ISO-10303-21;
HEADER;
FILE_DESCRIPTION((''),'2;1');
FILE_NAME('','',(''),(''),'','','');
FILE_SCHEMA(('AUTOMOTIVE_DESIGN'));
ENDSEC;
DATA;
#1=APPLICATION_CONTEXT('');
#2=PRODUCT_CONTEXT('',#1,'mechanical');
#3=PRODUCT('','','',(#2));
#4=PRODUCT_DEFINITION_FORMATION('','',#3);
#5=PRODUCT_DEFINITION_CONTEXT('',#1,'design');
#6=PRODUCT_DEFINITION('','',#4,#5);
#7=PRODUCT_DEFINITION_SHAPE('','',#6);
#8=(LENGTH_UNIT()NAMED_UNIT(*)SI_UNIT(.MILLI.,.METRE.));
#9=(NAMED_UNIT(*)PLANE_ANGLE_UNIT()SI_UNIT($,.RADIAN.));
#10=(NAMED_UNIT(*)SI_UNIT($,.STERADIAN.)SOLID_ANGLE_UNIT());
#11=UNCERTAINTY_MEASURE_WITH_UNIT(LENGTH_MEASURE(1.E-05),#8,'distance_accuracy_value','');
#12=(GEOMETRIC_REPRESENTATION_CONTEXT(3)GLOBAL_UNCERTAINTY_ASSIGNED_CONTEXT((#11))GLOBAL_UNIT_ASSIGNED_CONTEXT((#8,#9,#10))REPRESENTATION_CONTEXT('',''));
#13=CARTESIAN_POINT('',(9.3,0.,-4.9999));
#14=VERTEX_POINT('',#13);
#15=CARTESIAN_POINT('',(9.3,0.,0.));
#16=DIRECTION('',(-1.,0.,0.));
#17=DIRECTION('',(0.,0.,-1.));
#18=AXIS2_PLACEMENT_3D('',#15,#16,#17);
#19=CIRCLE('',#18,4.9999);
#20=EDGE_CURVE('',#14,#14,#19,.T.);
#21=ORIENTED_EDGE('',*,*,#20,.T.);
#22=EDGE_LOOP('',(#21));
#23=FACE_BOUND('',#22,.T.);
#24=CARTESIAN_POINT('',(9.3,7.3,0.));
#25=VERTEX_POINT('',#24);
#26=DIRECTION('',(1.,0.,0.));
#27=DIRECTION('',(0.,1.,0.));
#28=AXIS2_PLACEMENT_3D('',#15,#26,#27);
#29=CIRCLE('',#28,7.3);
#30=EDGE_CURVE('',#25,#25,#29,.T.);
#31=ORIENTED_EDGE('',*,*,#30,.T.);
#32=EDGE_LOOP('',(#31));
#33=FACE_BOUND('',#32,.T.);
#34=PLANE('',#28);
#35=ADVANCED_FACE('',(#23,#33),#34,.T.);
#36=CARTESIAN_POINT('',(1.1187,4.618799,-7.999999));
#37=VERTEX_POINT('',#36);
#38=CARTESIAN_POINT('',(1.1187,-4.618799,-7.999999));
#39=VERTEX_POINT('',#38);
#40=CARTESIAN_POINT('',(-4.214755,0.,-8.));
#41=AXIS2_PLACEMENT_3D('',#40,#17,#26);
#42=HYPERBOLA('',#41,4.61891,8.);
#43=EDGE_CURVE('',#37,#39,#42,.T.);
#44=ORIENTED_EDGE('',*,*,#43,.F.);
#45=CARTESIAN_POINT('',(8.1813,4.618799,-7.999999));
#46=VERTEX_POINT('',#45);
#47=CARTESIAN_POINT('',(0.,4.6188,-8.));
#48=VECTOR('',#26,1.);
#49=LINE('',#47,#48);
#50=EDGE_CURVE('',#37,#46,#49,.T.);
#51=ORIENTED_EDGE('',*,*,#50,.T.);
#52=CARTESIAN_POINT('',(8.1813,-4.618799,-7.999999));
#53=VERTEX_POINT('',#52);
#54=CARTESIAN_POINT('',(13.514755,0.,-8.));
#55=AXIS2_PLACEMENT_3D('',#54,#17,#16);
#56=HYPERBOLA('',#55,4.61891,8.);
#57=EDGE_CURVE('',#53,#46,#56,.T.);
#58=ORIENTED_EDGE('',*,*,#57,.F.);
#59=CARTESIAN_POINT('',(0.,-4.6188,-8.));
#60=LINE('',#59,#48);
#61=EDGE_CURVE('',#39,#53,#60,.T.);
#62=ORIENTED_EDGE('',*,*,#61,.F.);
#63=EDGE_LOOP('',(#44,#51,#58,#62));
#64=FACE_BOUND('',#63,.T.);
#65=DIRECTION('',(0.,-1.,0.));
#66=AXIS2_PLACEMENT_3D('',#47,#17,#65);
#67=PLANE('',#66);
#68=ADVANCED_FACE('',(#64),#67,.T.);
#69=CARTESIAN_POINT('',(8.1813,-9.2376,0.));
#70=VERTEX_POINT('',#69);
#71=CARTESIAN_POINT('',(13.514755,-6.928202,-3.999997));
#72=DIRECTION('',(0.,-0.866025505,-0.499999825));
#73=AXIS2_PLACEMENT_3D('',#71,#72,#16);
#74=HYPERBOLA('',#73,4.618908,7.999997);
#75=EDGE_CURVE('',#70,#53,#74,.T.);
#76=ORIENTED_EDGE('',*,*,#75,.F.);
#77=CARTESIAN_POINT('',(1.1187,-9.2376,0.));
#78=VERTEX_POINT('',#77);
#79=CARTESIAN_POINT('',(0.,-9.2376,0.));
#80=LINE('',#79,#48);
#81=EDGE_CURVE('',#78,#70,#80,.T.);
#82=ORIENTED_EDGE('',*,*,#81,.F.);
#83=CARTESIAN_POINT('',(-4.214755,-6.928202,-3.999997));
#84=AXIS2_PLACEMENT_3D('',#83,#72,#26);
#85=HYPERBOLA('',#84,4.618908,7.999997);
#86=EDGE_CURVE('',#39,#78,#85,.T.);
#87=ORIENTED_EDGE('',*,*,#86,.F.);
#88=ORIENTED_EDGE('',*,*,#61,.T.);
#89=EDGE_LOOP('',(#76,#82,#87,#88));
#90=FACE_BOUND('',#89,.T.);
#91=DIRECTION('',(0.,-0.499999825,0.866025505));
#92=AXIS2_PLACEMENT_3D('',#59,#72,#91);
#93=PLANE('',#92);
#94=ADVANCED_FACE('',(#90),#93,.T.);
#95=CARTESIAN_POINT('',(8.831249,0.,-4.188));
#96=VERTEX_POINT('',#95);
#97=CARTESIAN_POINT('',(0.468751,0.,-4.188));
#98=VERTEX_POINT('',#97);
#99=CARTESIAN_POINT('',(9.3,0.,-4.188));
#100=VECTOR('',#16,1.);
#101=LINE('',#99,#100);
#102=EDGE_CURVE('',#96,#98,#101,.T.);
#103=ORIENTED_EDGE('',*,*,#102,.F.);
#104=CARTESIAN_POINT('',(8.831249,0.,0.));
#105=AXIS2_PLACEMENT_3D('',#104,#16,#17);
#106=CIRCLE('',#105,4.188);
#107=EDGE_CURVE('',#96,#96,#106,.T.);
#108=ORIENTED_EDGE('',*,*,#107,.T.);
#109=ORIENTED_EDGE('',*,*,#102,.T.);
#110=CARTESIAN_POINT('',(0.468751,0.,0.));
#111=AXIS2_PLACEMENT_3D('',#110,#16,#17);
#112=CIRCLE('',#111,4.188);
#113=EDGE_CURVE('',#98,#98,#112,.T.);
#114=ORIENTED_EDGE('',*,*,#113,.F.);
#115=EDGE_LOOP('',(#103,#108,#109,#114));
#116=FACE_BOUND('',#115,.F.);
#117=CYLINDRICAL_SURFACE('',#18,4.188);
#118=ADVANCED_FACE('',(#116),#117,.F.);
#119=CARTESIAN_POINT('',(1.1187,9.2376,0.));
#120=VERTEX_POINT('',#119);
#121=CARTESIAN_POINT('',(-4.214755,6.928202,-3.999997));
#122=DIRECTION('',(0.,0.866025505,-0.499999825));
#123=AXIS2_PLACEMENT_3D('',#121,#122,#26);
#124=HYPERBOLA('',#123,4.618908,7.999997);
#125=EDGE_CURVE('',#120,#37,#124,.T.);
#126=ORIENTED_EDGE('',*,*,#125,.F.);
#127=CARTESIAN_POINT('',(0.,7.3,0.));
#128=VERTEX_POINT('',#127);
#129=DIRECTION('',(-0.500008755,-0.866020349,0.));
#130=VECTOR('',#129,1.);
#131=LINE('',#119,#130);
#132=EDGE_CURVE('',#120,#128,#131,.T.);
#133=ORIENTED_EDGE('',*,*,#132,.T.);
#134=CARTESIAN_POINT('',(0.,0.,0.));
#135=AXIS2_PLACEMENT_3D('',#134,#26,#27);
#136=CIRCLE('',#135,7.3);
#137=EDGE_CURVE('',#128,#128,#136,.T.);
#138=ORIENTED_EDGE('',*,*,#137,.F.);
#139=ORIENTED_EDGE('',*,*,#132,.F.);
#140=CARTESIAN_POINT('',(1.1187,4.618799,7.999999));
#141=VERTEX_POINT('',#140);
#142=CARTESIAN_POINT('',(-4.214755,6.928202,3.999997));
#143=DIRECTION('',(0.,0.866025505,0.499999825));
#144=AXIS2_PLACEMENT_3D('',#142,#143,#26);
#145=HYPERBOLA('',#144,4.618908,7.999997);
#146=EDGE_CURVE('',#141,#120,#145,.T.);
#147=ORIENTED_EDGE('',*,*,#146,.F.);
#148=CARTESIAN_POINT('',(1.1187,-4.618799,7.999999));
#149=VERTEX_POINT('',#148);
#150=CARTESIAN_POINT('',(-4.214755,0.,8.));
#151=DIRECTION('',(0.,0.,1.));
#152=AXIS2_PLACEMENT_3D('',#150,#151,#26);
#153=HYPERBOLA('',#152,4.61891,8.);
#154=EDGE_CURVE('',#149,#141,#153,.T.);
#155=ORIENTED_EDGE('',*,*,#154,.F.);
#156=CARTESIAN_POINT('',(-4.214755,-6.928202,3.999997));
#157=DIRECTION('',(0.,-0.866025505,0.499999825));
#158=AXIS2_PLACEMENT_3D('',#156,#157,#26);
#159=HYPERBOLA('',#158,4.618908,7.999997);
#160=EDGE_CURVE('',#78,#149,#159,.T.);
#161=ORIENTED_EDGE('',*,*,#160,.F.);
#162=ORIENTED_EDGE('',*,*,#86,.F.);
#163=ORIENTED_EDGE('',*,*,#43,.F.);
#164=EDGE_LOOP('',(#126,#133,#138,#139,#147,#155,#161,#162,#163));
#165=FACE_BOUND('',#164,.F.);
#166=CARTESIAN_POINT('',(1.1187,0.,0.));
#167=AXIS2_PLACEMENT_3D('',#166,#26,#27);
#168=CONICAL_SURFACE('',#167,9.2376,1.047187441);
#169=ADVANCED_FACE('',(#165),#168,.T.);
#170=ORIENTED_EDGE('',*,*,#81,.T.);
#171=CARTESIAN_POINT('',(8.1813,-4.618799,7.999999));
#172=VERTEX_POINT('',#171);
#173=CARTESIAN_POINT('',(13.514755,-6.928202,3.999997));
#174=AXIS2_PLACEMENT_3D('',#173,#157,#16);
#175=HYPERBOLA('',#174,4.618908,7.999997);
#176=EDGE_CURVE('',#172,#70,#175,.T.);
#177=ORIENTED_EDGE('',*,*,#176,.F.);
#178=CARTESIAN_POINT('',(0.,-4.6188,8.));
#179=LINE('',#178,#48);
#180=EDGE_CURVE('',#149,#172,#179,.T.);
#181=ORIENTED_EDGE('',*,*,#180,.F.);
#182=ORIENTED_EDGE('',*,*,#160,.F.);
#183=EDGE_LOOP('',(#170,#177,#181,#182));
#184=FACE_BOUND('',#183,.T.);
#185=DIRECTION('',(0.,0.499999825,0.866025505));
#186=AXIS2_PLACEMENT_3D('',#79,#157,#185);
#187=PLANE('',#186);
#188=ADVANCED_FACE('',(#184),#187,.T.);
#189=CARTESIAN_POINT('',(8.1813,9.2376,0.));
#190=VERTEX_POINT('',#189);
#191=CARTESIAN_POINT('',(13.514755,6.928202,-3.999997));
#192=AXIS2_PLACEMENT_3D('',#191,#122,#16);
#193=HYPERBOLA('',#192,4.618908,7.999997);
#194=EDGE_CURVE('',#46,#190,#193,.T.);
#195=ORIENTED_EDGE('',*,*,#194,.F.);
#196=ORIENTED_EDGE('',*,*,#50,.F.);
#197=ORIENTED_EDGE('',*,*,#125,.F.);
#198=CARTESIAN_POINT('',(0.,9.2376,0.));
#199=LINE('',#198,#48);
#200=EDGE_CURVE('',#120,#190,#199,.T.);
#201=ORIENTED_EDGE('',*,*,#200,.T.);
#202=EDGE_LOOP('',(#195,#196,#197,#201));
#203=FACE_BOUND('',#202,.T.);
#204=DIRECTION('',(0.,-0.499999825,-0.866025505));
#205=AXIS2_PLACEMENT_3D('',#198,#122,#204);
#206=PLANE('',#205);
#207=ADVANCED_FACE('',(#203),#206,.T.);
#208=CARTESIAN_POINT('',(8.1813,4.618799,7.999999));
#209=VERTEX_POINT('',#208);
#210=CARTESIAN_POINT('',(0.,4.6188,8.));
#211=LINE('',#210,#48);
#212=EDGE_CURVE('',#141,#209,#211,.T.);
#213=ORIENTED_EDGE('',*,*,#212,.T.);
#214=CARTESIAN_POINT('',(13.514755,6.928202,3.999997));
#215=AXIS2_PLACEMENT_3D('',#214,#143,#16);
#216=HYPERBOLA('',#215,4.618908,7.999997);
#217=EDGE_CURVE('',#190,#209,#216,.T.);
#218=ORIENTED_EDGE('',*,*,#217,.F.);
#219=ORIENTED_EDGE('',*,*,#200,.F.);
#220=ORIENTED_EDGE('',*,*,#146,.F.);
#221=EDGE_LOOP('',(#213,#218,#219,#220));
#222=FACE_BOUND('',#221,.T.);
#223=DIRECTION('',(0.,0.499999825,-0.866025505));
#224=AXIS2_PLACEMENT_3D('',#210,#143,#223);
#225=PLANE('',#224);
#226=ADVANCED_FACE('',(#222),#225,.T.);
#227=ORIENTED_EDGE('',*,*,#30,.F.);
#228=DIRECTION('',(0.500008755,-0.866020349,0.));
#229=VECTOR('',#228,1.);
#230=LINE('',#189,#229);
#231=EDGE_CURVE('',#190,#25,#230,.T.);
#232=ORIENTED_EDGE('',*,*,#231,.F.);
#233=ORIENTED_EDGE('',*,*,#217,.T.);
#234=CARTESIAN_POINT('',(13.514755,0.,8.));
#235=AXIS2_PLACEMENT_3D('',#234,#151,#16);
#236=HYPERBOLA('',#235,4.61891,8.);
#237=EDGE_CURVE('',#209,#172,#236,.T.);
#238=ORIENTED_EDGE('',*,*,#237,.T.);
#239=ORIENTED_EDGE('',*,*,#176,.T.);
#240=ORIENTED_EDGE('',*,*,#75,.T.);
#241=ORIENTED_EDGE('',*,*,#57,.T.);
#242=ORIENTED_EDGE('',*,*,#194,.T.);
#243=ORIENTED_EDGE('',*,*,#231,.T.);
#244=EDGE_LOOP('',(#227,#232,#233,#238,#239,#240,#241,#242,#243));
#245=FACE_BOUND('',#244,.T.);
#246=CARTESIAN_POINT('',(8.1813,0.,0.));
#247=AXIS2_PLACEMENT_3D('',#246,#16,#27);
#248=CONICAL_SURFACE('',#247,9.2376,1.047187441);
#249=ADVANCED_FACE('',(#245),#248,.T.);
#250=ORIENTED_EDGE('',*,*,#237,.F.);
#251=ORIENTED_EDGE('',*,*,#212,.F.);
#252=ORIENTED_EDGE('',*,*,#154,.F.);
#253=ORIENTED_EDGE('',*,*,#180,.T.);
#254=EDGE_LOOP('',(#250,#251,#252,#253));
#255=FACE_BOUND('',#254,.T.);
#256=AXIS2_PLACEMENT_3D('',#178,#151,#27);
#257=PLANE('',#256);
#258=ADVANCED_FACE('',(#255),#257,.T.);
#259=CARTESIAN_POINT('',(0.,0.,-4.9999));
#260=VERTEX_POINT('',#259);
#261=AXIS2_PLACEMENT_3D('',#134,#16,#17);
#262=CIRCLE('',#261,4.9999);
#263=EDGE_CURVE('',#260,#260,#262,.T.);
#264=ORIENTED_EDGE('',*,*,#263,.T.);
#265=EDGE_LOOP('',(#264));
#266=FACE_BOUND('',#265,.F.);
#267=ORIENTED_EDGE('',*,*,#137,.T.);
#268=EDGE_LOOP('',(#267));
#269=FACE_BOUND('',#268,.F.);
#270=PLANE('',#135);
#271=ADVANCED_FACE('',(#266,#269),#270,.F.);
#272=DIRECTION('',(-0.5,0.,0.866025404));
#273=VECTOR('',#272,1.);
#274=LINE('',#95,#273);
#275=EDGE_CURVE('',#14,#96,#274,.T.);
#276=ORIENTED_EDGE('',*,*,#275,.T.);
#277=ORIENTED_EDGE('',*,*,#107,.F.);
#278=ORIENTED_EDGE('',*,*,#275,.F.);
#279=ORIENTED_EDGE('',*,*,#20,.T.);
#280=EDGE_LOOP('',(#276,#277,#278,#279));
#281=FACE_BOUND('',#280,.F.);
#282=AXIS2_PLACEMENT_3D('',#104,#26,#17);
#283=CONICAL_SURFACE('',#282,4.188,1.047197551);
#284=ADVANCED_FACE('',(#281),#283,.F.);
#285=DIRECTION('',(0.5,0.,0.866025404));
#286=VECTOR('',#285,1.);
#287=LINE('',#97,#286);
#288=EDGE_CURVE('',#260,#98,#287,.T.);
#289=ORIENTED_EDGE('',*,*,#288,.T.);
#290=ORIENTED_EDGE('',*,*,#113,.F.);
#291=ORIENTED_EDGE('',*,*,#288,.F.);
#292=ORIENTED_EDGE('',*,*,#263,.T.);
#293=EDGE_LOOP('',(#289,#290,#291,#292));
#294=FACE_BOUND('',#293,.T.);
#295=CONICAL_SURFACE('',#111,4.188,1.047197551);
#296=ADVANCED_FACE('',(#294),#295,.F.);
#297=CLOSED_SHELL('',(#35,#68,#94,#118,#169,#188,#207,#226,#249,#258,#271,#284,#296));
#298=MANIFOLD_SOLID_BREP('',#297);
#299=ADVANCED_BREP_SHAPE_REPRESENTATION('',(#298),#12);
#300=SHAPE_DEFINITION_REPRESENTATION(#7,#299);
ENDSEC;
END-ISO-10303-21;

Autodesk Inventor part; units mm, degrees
ref_plane "YZ Plane" through (0, 0, 0) normal (1, 0, 0) x (0, 1, 0)
ref_plane "XZ Plane" through (0, 0, 0) normal (0, 1, 0) x (-1, 0, 0)
sketch "Sketch1" plane through (0, 0, 0) normal (1, 0, 0) x (0, 1, 0)
  line L0 (-9.2376, 0) -> (-4.6188, 8)
  line L1 (-4.6188, 8) -> (4.6188, 8)
  line L2 (4.6188, 8) -> (9.2376, 0)
  line L3 (9.2376, 0) -> (4.6188, -8)
  line L4 (4.6188, -8) -> (-4.6188, -8)
  line L5 (-4.6188, -8) -> (-9.2376, 0)
  point P0 (0, 0)
  point P1 (0, 0)
  dimension "d0" = 18.4752
extrude "Body" add sketch "Sketch1" along normal blind 9.3
sketch "Sketch2" plane through (0, 0, 0) normal (0, 0, 1) x (1, 0, 0)
  line L0 (0, 4.6188) -> (0, 9.2376) projected
  line L1 (0, 9.2376) -> (9.3, 9.2376) projected
  line L2 (9.3, 4.6188) -> (9.3, 9.2376) projected
  line L3 (-1.86, 0) -> (11.16, 0) projected
  line L4 (1.1187, 9.2376) -> (0, 7.3)
  line L5 (8.1813, 9.2376) -> (9.3, 7.3)
  dimension "d3" = 30
  dimension "d4" = 30
  dimension "d5" = 14.6
  dimension "d6" = 14.6
revolve "Chamfer1" cut sketch "Sketch2" angle 360 about axis through (-10, 0, 0) along (1, 0, 0)
sketch "Sketch3" plane through (9.3, 0, 0) normal (1, 0, 0) x (0, 0, -1)
  arc A0 (-0.625, -1.0825) -> (0.625, -1.0825) centre (0, 0) ccw projected
hole "Thread" at (9.3, 0, 0) direction (-1, 0, 0) diameter 8.376 end through all thread size "M10x1.5" class "6H" standard "ISO Metric profile"
chamfer "Chamfer2" distance 0.8119 angle 30 1 edges at (9.3, 0, 4.188) measured on face at (9.3, 6.1818, -0.7506)
chamfer "Chamfer3" distance 0.8119 angle 30 1 edges at (0, 0, 4.188) measured on face at (0, 6.1818, -0.7506)
ref_plane "Work Plane1" through (-17.0058, 0, 0) normal (0, -0.866, -0.5) x (1, 0, 0)
equation "\"d0\" = 1.1547 * SW"
equation "\"d1\" = KOH"
equation "\"d8\" = -0.5 * GD1 + 0.5 * NND"
equation "\"d40\" = -0.5 * GD1 + 0.5 * NND"
equation "\"d10\" = -0.5 * GD1 + 0.5 * NND"
equation "\"d41\" = -0.5 * GD1 + 0.5 * NND"
equation "\"d3\" = ANG1"
equation "\"d4\" = ANG2"
equation "\"d5\" = SW0"
equation "\"d6\" = SW01"
equation "\"ANG1\" = 30deg"
equation "\"ANG2\" = 30deg"
equation "\"KOH\" = 9.3"
equation "\"SW\" = 16"
equation "\"SW0\" = 14.6"
equation "\"SW01\" = SW0"
equation "\"GUL\" = 0.541266 * PTC"
equation "\"TOA\" = 30deg"
equation "\"PTC\" = 1.5"
equation "\"E0\" = 1.155 * SW"
equation "\"GAL\" = 0.541266 * PTC"
equation "\"GD1\" = 8.376202"
equation "\"NND\" = 10"
properties part number "ISO 4033 - M10" material "Steel"
